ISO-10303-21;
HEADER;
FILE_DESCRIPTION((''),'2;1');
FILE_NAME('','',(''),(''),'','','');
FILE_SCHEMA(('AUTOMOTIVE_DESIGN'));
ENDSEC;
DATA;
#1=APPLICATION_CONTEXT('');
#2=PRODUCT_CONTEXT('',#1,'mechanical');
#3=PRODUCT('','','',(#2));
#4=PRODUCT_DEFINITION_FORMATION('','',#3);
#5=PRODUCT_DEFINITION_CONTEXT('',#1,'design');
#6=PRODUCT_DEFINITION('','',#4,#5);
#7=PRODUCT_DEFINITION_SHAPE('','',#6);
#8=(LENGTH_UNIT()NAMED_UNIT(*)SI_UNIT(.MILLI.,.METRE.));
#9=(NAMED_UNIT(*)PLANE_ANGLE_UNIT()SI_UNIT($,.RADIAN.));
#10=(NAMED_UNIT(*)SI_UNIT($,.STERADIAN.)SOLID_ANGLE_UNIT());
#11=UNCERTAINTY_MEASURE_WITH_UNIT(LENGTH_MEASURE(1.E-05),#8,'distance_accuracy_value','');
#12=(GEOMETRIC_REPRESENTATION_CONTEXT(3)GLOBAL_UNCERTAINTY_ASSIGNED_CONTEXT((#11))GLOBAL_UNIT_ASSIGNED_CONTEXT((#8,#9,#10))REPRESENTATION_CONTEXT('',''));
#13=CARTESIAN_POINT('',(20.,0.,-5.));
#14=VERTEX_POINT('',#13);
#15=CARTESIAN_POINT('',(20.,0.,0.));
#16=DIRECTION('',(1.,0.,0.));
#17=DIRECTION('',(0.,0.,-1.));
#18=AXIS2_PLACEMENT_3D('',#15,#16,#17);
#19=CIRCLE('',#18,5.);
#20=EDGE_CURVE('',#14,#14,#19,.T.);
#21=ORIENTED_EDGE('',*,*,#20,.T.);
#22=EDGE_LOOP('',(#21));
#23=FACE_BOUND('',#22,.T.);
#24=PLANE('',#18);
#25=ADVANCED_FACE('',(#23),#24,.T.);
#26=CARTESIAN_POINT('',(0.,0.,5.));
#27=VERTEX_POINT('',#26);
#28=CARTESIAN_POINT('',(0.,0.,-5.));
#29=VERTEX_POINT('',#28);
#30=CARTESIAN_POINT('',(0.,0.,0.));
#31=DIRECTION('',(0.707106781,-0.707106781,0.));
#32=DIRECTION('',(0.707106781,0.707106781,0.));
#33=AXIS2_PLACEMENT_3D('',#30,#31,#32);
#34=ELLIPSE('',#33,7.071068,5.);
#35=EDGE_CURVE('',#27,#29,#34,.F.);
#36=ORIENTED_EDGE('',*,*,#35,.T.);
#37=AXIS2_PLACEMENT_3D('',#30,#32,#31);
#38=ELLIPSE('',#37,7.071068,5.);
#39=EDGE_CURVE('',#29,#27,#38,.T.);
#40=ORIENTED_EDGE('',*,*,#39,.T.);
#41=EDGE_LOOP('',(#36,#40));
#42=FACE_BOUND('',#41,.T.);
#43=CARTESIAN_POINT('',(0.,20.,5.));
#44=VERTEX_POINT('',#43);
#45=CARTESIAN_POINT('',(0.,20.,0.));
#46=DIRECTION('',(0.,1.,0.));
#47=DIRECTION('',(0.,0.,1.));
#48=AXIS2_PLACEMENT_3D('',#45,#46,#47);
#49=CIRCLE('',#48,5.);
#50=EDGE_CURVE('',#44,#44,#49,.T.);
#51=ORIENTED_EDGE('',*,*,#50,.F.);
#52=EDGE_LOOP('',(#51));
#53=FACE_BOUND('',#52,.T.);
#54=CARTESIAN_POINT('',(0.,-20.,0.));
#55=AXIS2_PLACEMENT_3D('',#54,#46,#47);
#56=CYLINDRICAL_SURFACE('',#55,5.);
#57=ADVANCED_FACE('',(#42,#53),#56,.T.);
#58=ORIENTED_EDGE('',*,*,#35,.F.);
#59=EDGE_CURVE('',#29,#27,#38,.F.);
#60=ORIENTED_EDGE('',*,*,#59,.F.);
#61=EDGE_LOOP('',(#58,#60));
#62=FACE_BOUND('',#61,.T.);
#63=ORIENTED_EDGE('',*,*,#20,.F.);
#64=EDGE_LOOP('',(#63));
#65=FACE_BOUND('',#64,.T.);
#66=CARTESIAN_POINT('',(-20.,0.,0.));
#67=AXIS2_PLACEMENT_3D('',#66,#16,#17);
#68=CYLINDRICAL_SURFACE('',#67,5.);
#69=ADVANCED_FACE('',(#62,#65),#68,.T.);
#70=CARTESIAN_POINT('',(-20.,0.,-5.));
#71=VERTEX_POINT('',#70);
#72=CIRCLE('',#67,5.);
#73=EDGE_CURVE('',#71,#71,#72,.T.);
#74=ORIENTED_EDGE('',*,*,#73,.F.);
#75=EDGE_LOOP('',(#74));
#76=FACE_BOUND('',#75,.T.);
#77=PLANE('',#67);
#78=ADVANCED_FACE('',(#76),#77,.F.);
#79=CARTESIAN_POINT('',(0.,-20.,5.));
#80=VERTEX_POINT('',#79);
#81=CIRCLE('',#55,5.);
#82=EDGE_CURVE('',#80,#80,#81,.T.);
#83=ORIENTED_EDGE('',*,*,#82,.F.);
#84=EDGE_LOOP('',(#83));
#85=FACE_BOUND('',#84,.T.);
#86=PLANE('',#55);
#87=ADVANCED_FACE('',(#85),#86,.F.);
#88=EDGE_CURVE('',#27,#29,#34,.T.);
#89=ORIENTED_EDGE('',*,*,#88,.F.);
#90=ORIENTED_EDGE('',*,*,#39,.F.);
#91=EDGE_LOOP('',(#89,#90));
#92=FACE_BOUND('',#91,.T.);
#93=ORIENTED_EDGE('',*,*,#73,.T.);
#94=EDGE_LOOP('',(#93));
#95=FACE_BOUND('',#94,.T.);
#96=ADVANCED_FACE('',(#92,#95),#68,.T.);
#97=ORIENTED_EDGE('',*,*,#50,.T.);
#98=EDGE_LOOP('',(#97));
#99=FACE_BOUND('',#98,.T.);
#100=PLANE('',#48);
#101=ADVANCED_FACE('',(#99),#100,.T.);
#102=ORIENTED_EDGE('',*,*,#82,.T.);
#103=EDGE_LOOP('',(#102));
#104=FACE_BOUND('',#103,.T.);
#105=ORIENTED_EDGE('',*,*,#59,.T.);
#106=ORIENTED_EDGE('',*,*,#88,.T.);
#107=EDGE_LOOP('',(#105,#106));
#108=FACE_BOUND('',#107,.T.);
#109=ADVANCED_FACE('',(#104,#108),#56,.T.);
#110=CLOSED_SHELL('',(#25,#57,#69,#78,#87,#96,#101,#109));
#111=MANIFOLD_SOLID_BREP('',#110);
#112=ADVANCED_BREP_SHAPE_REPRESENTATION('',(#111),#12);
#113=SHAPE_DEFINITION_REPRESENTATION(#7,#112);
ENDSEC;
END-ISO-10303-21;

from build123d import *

# Parameters (mm, degrees)
BOSS_EXTRUDE1_DEPTH      = 20
BOSS_EXTRUDE1_DEPTH_BACK = 20
SKETCH1_R                = 5
BOSS_EXTRUDE2_DEPTH      = 20
BOSS_EXTRUDE2_DEPTH_BACK = 20
SKETCH2_R                = 5


with BuildPart() as part:
    # Sketch1 → Boss-Extrude1 (new, two sides: drawn at the far end of the back side and taken through both)
    with BuildSketch(Plane(origin=(0, 0, 0), x_dir=(0, 0, -1), z_dir=(1, 0, 0)).offset(-BOSS_EXTRUDE1_DEPTH_BACK)):
        Circle(SKETCH1_R)
    extrude(amount=BOSS_EXTRUDE1_DEPTH + BOSS_EXTRUDE1_DEPTH_BACK)

    # Sketch2 → Boss-Extrude2 (add, two sides: drawn at the far end of the back side and taken through both)
    with BuildSketch(Plane(origin=(0, 0, 0), x_dir=(1, 0, 0), z_dir=(0, 1, 0)).offset(-BOSS_EXTRUDE2_DEPTH_BACK)):
        Circle(SKETCH2_R)
    extrude(amount=BOSS_EXTRUDE2_DEPTH + BOSS_EXTRUDE2_DEPTH_BACK)


solid = part.part
